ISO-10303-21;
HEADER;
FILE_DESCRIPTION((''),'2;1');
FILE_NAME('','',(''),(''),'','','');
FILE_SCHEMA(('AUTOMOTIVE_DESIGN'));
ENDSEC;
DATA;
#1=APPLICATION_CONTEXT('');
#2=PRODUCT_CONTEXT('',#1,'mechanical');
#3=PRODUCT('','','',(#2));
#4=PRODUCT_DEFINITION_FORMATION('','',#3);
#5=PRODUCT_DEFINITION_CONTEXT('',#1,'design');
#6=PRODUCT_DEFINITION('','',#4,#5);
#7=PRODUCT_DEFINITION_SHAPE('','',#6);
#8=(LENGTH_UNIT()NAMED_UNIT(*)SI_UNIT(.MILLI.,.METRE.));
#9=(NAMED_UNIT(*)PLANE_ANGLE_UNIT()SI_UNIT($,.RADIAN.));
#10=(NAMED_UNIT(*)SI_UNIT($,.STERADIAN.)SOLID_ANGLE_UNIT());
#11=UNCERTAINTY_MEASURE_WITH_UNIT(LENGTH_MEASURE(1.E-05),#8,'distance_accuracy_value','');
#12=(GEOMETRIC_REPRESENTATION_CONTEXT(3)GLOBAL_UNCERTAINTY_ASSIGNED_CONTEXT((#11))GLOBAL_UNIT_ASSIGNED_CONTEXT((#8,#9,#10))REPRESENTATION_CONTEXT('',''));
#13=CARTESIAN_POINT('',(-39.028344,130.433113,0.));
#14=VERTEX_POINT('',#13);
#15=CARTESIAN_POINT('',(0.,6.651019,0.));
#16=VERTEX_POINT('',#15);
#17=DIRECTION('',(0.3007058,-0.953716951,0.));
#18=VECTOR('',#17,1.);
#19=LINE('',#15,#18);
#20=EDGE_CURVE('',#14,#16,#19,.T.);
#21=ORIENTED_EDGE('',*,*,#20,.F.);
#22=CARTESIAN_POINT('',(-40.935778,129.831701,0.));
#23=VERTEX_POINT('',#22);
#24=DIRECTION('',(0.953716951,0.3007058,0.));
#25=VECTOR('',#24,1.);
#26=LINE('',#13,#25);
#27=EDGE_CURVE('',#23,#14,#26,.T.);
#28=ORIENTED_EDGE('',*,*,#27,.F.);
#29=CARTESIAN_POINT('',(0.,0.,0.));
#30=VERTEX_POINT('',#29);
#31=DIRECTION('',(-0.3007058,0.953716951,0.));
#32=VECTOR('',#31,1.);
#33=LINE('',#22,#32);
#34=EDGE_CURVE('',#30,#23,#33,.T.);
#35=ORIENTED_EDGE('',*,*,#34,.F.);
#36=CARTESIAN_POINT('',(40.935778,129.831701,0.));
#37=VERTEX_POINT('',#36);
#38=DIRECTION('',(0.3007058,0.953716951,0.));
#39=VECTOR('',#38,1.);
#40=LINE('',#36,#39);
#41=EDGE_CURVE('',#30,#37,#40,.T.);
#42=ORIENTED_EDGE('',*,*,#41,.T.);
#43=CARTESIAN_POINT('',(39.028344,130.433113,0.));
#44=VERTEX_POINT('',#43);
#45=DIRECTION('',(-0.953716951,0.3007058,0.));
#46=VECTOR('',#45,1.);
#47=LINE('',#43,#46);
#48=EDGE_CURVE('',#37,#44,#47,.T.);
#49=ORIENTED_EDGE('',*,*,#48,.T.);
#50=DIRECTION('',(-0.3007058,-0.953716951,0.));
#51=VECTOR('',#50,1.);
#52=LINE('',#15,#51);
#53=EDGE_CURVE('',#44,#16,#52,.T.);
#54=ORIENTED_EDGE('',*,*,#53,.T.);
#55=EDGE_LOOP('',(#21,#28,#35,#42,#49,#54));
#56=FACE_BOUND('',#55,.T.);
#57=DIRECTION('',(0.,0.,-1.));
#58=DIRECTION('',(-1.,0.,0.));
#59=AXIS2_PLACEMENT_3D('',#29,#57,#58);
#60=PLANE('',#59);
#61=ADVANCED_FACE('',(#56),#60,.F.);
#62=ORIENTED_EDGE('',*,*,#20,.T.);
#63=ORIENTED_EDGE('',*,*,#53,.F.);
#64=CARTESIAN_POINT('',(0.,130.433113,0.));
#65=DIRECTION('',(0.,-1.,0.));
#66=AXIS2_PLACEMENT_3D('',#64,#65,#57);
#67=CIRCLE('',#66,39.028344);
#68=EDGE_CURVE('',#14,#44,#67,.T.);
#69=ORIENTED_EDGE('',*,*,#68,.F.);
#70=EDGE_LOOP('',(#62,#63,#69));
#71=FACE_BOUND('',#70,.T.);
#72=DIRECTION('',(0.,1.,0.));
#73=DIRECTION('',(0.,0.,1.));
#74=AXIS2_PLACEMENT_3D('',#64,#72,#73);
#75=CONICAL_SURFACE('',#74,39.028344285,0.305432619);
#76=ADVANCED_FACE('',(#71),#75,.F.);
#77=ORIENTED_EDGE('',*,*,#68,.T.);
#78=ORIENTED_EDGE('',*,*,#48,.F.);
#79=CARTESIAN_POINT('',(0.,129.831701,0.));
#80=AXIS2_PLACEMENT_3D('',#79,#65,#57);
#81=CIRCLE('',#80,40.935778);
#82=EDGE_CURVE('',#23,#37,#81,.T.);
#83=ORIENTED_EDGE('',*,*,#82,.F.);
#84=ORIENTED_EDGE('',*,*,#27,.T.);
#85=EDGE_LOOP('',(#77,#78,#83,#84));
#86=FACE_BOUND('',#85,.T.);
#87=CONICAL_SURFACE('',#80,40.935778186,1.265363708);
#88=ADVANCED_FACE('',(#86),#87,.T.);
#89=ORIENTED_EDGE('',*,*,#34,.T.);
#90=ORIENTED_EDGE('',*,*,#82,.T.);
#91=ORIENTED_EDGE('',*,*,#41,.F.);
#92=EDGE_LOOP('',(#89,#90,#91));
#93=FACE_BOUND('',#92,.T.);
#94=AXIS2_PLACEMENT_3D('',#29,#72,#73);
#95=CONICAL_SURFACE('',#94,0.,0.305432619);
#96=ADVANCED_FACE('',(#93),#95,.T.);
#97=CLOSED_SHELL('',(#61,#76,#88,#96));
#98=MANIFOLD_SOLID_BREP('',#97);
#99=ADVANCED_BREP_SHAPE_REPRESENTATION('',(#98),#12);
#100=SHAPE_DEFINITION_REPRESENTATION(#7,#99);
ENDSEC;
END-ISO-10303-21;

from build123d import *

# Parameters (mm, degrees)
REVOLUCI_N1_ANGLE = 180


with BuildPart() as part:
    # Croquis1 → Revolución1 (revolve)
    with BuildSketch(Plane.XY):
        Polygon((0, 0), (0, 6.651019047), (39.028344285, 130.433112926), (40.935778186, 129.831701327), align=None)
    revolve(axis=Axis((0, 0, 0), (0, 1, 0)), revolution_arc=REVOLUCI_N1_ANGLE)


solid = part.part
